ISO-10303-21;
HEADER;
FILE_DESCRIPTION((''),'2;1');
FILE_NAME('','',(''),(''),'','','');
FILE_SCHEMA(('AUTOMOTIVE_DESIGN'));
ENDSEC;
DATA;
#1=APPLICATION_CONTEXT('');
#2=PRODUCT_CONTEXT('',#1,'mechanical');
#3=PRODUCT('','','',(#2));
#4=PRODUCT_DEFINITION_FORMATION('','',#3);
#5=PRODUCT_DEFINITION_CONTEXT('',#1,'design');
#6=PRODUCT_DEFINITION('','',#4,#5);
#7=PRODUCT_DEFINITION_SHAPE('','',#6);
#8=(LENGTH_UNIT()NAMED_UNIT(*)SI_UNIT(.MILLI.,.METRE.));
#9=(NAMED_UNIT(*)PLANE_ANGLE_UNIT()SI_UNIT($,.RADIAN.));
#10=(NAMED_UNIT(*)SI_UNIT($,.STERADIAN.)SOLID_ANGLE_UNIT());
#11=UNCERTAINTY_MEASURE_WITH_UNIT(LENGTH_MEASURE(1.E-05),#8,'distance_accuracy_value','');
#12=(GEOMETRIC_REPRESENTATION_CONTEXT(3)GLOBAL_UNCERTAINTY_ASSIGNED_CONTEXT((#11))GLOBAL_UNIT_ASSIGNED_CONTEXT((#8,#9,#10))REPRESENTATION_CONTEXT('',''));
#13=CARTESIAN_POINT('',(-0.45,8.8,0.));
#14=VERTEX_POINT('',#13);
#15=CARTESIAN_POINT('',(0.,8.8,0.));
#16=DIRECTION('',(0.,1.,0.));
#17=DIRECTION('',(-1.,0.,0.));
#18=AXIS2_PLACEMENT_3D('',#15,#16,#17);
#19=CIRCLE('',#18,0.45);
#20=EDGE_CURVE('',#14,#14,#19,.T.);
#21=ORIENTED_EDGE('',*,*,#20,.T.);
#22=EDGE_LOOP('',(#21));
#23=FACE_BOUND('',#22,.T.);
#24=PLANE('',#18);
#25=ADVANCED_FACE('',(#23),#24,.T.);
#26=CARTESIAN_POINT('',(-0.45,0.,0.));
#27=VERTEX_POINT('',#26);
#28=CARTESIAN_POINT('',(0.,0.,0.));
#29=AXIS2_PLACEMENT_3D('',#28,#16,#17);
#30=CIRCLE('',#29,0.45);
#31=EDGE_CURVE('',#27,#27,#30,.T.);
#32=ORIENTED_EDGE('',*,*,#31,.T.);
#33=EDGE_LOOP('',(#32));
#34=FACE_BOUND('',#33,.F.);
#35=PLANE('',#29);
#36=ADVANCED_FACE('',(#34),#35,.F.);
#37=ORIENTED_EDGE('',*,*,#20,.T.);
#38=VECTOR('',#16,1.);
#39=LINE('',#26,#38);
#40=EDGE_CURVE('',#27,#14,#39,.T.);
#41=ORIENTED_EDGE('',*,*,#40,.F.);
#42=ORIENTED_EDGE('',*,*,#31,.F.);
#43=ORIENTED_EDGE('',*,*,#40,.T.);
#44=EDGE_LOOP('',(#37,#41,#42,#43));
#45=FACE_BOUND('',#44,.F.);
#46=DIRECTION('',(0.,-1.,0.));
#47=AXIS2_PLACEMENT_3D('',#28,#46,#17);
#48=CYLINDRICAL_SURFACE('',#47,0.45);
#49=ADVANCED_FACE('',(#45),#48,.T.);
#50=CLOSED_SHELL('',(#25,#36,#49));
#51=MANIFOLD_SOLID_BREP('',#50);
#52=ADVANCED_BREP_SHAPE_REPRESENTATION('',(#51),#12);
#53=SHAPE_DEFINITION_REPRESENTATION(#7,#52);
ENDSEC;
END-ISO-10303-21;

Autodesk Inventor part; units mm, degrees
ref_plane "YZ Plane" through (0, 0, 0) normal (1, 0, 0) x (0, 1, 0)
ref_plane "XZ Plane" through (0, 0, 0) normal (0, 1, 0) x (-1, 0, 0)
ref_plane "XY Plane" through (0, 0, 0) normal (0, 0, 1) x (1, 0, 0)
sketch "Esboço1" plane through (0, 0, 0) normal (0, 1, 0) x (-1, 0, 0)
  circle A0 centre (0, 0) radius 0.45
  dimension "d0" = 0.9
extrude "Extrusão1" add sketch "Esboço1" along normal blind 8.8
properties part number "Eixo Maior - Engrenagem"
